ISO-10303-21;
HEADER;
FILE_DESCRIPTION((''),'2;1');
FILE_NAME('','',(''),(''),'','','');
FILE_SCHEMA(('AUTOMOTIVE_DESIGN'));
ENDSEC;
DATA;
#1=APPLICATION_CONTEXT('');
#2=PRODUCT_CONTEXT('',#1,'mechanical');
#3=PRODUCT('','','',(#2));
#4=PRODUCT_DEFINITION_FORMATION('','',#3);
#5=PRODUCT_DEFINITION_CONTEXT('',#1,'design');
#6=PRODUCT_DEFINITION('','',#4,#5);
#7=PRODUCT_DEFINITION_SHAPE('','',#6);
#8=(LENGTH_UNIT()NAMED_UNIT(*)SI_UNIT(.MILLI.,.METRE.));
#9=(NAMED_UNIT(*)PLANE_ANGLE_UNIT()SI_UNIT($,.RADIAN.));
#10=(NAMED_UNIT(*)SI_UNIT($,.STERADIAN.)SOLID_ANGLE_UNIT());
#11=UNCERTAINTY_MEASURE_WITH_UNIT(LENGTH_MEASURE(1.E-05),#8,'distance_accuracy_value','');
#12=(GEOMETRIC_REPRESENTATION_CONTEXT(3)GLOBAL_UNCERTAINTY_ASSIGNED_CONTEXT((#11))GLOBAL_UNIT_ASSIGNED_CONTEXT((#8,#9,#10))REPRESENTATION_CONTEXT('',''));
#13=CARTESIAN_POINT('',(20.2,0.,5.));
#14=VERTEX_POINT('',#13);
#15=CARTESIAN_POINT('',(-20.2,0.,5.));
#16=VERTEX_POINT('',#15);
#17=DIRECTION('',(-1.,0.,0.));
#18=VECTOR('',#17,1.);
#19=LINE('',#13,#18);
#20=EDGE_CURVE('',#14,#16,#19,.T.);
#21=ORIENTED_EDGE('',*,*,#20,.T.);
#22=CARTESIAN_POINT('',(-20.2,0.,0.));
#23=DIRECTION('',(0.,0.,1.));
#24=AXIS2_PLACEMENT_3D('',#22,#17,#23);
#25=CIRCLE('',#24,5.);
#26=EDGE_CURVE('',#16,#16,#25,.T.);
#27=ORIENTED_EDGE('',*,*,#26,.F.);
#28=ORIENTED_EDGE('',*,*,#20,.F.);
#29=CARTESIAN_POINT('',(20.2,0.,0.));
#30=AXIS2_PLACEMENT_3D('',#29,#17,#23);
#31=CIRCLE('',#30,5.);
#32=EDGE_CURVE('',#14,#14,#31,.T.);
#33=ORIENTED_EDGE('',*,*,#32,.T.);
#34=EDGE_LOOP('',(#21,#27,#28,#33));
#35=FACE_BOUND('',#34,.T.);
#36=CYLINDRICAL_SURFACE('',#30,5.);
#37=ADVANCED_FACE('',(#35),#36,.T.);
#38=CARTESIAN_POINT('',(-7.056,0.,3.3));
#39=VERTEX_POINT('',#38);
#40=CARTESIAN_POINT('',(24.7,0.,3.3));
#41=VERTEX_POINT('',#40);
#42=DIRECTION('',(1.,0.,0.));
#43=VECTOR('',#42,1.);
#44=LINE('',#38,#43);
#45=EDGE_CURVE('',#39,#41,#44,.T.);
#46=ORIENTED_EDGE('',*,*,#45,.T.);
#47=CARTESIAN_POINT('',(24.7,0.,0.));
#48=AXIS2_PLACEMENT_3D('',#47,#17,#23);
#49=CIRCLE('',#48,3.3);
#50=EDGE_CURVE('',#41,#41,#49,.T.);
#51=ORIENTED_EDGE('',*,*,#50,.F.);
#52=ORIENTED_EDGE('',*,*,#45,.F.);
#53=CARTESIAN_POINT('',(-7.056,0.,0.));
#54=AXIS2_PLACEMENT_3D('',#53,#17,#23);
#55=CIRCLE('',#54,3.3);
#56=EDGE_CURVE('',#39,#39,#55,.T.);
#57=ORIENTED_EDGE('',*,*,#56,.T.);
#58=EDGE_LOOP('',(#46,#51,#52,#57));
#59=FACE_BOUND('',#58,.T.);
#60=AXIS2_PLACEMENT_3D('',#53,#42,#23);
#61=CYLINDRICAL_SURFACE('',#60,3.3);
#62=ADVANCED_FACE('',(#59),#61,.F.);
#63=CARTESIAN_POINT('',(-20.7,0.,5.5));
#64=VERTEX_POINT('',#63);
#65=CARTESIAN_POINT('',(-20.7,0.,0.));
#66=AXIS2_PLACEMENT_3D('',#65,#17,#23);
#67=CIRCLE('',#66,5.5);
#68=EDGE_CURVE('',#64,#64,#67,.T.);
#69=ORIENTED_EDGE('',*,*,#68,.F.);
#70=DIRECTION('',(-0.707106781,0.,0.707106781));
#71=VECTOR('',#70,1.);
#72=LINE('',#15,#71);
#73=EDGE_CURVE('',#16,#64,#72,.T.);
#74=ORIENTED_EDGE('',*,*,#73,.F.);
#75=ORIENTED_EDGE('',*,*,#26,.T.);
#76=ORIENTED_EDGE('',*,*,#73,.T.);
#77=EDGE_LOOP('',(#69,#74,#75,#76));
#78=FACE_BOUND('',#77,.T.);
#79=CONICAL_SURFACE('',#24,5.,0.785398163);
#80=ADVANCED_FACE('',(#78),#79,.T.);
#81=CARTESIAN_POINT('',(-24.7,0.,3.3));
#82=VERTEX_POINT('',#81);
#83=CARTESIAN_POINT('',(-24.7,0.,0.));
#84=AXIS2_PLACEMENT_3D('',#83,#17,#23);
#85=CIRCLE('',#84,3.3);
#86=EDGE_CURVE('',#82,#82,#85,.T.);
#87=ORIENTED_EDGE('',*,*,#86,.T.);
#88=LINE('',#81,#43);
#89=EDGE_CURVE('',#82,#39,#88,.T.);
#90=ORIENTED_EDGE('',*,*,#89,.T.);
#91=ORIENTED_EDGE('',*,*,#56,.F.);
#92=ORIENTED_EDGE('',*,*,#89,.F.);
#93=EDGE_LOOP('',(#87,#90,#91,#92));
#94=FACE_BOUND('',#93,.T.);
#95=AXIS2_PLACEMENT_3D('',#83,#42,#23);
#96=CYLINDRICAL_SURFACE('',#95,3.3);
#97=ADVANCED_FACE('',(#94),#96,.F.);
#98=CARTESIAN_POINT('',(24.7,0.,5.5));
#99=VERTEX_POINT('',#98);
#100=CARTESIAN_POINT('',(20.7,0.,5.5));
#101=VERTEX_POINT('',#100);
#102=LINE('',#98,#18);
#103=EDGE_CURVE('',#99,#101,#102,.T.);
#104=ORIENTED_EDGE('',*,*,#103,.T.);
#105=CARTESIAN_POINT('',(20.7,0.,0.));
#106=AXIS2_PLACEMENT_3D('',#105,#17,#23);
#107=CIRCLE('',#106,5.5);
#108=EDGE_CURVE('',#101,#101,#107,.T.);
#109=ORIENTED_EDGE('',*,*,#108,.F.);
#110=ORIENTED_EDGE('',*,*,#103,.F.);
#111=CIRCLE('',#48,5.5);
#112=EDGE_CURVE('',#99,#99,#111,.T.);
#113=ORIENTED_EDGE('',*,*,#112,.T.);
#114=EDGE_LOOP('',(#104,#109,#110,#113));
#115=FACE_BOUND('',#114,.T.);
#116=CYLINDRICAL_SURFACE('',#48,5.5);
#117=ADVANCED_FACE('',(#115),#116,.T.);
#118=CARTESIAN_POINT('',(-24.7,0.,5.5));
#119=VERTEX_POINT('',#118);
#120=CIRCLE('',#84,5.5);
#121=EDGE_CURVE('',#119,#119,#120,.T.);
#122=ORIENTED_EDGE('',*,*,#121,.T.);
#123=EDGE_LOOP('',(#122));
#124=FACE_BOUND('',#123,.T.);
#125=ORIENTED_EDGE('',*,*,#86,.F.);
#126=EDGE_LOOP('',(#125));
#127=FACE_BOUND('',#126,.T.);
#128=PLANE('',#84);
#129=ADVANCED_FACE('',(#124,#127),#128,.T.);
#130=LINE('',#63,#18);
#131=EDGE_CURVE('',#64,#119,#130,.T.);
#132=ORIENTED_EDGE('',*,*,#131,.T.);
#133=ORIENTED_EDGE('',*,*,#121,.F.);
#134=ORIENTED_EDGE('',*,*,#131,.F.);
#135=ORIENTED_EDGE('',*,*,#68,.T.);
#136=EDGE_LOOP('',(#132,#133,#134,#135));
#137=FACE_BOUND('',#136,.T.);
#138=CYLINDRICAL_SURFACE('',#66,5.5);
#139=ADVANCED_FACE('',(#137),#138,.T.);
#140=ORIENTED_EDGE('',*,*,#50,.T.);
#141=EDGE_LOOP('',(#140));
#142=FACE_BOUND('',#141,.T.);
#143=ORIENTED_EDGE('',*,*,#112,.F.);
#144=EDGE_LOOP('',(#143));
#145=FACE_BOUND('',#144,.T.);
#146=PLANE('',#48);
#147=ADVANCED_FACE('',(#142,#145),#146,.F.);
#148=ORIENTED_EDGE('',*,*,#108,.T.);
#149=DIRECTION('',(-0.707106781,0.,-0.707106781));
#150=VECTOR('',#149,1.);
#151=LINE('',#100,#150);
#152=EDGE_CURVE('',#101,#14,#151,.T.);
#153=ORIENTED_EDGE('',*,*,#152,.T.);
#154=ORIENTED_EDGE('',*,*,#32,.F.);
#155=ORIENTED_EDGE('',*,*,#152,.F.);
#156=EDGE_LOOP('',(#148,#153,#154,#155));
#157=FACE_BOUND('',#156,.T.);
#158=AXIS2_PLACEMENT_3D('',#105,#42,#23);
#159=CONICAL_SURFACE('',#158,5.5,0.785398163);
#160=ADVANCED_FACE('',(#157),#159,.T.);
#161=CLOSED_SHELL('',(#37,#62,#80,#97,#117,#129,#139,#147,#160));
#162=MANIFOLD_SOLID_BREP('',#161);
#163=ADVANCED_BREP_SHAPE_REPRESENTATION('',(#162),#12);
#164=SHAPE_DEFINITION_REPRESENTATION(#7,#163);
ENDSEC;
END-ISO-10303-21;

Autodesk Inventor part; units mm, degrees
ref_plane "YZ Plane" through (0, 0, 0) normal (1, 0, 0) x (0, 1, 0)
ref_plane "XZ Plane" through (0, 0, 0) normal (0, 1, 0) x (-1, 0, 0)
ref_plane "XY Plane" through (0, 0, 0) normal (0, 0, 1) x (1, 0, 0)
sketch "Sketch1" plane through (0, 0, 0) normal (0, 1, 0) x (-1, 0, 0)
  line L0 (7.056, 3.3) -> (-24.7, 3.3)
  line L1 (-24.7, 3.3) -> (-24.7, 5.5)
  line L2 (-24.7, 5.5) -> (-20.7, 5.5)
  line L3 (-20.7, 5.5) -> (-20.2, 5)
  line L4 (-20.2, 5) -> (20.2, 5)
  line L5 (20.2, 5) -> (20.7, 5.5)
  line L6 (20.7, 5.5) -> (24.7, 5.5)
  line L7 (24.7, 5.5) -> (24.7, 3.3)
  line L8 (24.7, 3.3) -> (7.056, 3.3)
  line L9 (0, -1.1) -> (0, 6.6) construction
  line L10 (-34.58, 0) -> (34.58, 0) construction
  point P0 (0, 0)
  dimension "d0" = 3.3
  dimension "d1" = 40.4
  dimension "d2" = 49.4
  dimension "d3" = 0.5
  dimension "d4" = 5
revolve "Revolution1" add sketch "Sketch1" angle 360 about axis through (0, 0, 0) along (-1, 0, 0)
properties part number "roller_ext"
